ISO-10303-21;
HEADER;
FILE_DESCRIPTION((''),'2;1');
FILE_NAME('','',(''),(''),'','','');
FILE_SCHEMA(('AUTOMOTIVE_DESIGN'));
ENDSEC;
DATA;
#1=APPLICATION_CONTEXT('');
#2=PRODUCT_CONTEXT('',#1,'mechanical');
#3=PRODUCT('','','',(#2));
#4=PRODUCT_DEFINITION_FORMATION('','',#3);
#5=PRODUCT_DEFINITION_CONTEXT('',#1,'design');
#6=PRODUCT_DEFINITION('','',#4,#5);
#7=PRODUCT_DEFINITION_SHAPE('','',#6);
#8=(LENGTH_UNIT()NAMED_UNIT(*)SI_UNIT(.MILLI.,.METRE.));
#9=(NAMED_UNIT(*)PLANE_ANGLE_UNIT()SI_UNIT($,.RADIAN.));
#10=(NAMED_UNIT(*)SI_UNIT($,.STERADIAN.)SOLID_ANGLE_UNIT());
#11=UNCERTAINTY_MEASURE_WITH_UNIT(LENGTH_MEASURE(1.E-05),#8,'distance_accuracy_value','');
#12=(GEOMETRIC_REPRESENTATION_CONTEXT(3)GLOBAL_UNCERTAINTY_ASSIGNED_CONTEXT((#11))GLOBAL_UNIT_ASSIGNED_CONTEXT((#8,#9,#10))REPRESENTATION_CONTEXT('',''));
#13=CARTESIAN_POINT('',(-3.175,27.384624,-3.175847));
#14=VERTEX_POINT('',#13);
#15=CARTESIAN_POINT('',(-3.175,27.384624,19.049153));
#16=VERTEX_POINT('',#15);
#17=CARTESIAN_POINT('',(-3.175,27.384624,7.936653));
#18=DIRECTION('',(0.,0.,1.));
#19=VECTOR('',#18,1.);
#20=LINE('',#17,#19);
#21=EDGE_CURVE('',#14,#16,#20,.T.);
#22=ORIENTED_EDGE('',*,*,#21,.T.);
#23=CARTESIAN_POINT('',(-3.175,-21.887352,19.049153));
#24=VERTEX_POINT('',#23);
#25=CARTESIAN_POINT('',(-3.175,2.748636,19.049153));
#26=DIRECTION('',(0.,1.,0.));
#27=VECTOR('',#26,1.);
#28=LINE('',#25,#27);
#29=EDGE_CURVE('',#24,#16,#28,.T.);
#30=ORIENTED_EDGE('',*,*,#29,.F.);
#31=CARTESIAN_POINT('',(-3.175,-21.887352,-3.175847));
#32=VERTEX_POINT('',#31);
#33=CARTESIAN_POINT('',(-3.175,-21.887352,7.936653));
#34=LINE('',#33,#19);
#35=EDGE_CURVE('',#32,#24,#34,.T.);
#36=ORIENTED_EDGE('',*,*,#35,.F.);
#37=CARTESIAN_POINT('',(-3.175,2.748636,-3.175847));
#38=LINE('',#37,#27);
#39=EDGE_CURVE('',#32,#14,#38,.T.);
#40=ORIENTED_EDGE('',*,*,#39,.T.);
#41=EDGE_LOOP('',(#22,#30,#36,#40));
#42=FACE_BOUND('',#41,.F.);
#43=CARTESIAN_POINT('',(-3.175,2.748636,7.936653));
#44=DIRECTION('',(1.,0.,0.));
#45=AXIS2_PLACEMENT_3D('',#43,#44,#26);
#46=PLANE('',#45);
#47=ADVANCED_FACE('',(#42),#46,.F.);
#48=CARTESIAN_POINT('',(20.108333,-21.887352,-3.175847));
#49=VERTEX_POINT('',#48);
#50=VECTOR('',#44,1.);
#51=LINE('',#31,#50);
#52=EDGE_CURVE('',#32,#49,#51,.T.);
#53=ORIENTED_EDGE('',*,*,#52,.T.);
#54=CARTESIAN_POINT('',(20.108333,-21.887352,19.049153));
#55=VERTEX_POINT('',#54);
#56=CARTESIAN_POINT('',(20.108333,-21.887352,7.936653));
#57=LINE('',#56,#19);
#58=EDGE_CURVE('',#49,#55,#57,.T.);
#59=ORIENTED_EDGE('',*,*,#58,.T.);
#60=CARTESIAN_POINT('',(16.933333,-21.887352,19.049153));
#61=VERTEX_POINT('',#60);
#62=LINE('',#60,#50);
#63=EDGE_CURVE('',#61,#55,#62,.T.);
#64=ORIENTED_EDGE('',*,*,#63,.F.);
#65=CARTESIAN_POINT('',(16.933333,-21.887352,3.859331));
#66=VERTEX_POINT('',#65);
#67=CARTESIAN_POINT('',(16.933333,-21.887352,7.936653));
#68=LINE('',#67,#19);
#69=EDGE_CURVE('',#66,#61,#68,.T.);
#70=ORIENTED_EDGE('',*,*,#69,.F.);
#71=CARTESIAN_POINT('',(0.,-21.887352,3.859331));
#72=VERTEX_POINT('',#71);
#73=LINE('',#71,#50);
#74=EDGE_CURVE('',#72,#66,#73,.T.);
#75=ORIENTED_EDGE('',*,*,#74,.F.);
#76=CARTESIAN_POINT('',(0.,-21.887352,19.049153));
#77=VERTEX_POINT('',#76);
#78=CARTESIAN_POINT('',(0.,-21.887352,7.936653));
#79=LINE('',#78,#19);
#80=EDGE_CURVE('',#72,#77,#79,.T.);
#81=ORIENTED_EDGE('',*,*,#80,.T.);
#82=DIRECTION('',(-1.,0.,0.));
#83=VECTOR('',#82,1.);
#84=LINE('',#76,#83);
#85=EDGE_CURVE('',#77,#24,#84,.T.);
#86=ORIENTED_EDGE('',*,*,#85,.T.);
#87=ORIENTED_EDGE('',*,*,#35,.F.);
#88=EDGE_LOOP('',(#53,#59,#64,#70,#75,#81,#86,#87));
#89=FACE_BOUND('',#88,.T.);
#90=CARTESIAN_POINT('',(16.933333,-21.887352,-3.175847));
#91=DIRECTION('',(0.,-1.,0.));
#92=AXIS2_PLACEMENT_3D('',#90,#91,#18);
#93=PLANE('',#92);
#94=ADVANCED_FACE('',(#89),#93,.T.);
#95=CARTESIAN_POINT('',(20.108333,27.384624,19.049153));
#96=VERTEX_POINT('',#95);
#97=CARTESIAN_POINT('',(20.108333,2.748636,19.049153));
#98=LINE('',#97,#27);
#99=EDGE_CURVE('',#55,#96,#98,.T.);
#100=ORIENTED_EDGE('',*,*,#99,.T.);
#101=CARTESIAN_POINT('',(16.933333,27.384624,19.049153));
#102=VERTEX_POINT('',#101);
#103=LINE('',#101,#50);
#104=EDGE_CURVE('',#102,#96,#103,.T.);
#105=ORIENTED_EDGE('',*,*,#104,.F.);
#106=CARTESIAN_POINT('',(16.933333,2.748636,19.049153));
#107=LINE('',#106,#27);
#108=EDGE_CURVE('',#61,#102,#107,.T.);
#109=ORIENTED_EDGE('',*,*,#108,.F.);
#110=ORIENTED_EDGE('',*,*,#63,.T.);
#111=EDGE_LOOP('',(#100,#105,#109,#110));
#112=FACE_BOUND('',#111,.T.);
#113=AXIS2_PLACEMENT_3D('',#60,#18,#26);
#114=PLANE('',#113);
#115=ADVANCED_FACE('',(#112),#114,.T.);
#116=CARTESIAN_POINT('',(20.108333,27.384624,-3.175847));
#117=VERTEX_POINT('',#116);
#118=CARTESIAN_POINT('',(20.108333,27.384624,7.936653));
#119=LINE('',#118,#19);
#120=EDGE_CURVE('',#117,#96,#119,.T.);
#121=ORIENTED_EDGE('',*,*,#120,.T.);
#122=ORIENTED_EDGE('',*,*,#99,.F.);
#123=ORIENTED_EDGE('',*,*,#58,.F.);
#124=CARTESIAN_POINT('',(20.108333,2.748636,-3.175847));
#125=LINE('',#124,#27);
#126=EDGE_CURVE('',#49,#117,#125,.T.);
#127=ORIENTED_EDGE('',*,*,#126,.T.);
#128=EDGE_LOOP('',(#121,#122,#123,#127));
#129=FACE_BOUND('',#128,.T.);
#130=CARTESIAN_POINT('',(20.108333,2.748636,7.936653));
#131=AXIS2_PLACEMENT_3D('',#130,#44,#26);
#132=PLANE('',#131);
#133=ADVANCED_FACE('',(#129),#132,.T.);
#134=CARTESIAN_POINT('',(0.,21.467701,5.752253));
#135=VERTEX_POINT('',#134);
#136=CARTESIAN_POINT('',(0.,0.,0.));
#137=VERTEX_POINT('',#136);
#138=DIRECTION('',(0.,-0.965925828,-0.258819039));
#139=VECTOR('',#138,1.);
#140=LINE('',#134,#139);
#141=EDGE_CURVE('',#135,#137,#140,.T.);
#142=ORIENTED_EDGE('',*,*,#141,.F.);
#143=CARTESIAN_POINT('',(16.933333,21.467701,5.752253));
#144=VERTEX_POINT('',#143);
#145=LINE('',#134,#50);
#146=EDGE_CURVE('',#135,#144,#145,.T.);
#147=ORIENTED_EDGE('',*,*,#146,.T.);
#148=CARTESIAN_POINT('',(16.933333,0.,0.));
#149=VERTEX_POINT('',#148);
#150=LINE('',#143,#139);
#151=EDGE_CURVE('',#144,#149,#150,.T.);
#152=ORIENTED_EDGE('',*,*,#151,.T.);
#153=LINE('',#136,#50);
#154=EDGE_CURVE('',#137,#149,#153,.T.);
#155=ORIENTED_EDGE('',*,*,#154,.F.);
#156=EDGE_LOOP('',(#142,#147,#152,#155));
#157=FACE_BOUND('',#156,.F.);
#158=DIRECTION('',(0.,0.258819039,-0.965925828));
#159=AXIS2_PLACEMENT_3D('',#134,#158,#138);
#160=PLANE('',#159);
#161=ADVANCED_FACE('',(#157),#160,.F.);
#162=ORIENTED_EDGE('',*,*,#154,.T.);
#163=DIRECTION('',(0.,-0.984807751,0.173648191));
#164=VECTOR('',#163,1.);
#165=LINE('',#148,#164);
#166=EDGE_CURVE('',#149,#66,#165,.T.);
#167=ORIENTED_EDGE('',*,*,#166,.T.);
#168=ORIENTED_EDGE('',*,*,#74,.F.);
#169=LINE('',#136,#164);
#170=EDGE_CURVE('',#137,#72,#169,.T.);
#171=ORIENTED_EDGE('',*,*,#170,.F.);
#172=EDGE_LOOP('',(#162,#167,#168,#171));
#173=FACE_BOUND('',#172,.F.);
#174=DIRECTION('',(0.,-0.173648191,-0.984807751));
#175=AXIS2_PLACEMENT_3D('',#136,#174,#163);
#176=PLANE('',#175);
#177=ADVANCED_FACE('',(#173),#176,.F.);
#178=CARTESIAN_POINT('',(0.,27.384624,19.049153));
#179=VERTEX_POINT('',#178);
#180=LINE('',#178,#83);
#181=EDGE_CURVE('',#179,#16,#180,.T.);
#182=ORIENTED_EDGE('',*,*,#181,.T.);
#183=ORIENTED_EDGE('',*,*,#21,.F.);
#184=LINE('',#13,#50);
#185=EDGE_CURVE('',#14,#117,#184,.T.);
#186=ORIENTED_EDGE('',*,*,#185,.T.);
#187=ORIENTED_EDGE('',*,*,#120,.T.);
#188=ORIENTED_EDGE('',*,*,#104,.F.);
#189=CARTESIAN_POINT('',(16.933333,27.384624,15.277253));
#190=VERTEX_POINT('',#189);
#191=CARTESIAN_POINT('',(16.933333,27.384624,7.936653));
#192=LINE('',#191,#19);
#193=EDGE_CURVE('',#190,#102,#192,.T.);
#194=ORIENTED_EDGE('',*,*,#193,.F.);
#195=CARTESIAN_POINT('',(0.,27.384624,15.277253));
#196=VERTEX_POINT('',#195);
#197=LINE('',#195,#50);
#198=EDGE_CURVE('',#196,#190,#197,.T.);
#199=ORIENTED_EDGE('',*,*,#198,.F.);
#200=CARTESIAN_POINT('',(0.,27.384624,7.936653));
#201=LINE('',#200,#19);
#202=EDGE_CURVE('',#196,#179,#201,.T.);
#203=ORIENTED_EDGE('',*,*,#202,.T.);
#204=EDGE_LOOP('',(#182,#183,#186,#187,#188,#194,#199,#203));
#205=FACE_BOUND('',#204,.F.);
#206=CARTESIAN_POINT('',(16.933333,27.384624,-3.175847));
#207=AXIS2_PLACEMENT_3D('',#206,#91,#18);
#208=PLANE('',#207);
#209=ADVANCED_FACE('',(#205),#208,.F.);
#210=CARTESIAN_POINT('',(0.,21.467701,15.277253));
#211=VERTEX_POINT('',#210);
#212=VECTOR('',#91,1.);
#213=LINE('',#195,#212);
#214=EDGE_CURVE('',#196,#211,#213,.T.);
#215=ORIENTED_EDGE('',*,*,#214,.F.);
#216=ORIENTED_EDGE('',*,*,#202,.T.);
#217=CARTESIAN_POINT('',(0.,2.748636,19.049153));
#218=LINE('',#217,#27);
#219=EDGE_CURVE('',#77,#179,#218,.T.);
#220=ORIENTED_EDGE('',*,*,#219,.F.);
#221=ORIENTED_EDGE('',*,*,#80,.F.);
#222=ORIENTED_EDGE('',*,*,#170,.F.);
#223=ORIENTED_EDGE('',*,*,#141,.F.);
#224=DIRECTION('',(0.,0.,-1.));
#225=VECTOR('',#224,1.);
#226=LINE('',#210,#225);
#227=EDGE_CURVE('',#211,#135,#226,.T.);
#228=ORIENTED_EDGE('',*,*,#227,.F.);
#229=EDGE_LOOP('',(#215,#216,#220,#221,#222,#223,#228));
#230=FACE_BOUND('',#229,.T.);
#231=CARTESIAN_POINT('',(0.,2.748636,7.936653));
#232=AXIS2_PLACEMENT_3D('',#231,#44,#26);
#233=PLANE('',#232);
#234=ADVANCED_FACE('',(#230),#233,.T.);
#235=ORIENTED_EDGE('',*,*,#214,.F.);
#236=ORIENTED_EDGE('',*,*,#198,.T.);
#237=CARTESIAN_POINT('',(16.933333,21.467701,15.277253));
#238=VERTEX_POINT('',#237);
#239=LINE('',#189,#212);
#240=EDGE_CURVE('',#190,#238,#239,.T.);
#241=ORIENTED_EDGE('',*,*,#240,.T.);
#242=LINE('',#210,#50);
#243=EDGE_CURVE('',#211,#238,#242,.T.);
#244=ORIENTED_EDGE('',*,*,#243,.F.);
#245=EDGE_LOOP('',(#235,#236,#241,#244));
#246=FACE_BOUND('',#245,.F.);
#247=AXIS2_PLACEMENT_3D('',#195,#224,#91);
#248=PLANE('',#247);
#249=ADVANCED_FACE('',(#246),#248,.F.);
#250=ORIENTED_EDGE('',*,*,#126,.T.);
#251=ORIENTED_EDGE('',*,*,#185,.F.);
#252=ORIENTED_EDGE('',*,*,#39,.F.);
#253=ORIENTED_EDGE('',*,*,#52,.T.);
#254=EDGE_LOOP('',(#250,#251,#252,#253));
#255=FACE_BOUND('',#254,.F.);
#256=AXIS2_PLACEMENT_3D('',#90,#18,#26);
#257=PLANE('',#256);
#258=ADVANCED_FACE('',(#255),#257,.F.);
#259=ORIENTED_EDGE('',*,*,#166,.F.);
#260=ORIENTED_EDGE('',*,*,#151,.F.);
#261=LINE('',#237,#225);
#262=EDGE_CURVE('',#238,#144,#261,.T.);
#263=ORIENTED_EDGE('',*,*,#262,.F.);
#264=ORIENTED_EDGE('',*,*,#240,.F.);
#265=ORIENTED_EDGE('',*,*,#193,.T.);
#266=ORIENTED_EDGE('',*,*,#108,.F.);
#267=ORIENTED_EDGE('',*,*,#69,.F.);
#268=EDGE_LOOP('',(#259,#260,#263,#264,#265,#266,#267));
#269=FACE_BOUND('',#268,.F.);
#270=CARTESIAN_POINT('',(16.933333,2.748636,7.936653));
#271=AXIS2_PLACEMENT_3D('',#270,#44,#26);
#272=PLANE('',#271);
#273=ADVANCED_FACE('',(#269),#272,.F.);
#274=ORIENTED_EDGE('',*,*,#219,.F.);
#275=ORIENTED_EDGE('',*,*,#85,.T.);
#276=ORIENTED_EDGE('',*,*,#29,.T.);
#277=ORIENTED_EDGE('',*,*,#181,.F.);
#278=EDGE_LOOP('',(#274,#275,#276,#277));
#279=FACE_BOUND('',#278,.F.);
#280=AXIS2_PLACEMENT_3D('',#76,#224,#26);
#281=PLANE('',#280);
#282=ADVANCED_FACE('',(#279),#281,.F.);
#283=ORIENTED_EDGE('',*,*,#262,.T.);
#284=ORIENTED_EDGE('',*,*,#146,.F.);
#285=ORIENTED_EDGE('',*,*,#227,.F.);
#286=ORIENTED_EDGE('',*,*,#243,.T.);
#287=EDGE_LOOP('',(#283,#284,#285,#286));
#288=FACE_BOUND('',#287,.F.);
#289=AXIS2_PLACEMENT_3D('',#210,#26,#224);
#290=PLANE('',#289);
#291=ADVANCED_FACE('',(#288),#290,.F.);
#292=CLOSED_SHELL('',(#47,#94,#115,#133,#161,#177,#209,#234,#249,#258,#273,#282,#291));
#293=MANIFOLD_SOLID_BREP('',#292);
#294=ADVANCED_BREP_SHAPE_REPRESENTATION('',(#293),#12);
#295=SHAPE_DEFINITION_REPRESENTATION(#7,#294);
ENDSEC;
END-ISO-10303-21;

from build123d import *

# Parameters (mm, degrees)
F1_DEPTH = 16.933333
F2_W     = 49.271976
F2_H     = 22.225
F3_DEPTH = 3.175
F4_W     = 49.271976
F4_H     = 22.225
F5_DEPTH = 3.175


with BuildPart() as f1:
    # F0 (on Right) → F1 (new body)
    with BuildSketch(Plane.YZ):
        Polygon((21.467701, 5.752253), (0, 0), (-21.887352, 3.859331), (-21.887352, -3.175847), (27.384624, -3.175847), (27.384624, 15.277253), (21.467701, 15.277253), align=None)
    extrude(amount=F1_DEPTH)

    # F2 (on Right) → F3 (join)
    with BuildSketch(Plane.YZ):
        with Locations((2.748636, 7.936653)):
            Rectangle(F2_W, F2_H)
    extrude(amount=-F3_DEPTH)

    # F4 (on face) → F5 (join)
    with BuildSketch(Plane.YZ.offset(16.933333)):
        with Locations((2.748636, 7.936653)):
            Rectangle(F4_W, F4_H)
    extrude(amount=F5_DEPTH)


solid = f1.part
